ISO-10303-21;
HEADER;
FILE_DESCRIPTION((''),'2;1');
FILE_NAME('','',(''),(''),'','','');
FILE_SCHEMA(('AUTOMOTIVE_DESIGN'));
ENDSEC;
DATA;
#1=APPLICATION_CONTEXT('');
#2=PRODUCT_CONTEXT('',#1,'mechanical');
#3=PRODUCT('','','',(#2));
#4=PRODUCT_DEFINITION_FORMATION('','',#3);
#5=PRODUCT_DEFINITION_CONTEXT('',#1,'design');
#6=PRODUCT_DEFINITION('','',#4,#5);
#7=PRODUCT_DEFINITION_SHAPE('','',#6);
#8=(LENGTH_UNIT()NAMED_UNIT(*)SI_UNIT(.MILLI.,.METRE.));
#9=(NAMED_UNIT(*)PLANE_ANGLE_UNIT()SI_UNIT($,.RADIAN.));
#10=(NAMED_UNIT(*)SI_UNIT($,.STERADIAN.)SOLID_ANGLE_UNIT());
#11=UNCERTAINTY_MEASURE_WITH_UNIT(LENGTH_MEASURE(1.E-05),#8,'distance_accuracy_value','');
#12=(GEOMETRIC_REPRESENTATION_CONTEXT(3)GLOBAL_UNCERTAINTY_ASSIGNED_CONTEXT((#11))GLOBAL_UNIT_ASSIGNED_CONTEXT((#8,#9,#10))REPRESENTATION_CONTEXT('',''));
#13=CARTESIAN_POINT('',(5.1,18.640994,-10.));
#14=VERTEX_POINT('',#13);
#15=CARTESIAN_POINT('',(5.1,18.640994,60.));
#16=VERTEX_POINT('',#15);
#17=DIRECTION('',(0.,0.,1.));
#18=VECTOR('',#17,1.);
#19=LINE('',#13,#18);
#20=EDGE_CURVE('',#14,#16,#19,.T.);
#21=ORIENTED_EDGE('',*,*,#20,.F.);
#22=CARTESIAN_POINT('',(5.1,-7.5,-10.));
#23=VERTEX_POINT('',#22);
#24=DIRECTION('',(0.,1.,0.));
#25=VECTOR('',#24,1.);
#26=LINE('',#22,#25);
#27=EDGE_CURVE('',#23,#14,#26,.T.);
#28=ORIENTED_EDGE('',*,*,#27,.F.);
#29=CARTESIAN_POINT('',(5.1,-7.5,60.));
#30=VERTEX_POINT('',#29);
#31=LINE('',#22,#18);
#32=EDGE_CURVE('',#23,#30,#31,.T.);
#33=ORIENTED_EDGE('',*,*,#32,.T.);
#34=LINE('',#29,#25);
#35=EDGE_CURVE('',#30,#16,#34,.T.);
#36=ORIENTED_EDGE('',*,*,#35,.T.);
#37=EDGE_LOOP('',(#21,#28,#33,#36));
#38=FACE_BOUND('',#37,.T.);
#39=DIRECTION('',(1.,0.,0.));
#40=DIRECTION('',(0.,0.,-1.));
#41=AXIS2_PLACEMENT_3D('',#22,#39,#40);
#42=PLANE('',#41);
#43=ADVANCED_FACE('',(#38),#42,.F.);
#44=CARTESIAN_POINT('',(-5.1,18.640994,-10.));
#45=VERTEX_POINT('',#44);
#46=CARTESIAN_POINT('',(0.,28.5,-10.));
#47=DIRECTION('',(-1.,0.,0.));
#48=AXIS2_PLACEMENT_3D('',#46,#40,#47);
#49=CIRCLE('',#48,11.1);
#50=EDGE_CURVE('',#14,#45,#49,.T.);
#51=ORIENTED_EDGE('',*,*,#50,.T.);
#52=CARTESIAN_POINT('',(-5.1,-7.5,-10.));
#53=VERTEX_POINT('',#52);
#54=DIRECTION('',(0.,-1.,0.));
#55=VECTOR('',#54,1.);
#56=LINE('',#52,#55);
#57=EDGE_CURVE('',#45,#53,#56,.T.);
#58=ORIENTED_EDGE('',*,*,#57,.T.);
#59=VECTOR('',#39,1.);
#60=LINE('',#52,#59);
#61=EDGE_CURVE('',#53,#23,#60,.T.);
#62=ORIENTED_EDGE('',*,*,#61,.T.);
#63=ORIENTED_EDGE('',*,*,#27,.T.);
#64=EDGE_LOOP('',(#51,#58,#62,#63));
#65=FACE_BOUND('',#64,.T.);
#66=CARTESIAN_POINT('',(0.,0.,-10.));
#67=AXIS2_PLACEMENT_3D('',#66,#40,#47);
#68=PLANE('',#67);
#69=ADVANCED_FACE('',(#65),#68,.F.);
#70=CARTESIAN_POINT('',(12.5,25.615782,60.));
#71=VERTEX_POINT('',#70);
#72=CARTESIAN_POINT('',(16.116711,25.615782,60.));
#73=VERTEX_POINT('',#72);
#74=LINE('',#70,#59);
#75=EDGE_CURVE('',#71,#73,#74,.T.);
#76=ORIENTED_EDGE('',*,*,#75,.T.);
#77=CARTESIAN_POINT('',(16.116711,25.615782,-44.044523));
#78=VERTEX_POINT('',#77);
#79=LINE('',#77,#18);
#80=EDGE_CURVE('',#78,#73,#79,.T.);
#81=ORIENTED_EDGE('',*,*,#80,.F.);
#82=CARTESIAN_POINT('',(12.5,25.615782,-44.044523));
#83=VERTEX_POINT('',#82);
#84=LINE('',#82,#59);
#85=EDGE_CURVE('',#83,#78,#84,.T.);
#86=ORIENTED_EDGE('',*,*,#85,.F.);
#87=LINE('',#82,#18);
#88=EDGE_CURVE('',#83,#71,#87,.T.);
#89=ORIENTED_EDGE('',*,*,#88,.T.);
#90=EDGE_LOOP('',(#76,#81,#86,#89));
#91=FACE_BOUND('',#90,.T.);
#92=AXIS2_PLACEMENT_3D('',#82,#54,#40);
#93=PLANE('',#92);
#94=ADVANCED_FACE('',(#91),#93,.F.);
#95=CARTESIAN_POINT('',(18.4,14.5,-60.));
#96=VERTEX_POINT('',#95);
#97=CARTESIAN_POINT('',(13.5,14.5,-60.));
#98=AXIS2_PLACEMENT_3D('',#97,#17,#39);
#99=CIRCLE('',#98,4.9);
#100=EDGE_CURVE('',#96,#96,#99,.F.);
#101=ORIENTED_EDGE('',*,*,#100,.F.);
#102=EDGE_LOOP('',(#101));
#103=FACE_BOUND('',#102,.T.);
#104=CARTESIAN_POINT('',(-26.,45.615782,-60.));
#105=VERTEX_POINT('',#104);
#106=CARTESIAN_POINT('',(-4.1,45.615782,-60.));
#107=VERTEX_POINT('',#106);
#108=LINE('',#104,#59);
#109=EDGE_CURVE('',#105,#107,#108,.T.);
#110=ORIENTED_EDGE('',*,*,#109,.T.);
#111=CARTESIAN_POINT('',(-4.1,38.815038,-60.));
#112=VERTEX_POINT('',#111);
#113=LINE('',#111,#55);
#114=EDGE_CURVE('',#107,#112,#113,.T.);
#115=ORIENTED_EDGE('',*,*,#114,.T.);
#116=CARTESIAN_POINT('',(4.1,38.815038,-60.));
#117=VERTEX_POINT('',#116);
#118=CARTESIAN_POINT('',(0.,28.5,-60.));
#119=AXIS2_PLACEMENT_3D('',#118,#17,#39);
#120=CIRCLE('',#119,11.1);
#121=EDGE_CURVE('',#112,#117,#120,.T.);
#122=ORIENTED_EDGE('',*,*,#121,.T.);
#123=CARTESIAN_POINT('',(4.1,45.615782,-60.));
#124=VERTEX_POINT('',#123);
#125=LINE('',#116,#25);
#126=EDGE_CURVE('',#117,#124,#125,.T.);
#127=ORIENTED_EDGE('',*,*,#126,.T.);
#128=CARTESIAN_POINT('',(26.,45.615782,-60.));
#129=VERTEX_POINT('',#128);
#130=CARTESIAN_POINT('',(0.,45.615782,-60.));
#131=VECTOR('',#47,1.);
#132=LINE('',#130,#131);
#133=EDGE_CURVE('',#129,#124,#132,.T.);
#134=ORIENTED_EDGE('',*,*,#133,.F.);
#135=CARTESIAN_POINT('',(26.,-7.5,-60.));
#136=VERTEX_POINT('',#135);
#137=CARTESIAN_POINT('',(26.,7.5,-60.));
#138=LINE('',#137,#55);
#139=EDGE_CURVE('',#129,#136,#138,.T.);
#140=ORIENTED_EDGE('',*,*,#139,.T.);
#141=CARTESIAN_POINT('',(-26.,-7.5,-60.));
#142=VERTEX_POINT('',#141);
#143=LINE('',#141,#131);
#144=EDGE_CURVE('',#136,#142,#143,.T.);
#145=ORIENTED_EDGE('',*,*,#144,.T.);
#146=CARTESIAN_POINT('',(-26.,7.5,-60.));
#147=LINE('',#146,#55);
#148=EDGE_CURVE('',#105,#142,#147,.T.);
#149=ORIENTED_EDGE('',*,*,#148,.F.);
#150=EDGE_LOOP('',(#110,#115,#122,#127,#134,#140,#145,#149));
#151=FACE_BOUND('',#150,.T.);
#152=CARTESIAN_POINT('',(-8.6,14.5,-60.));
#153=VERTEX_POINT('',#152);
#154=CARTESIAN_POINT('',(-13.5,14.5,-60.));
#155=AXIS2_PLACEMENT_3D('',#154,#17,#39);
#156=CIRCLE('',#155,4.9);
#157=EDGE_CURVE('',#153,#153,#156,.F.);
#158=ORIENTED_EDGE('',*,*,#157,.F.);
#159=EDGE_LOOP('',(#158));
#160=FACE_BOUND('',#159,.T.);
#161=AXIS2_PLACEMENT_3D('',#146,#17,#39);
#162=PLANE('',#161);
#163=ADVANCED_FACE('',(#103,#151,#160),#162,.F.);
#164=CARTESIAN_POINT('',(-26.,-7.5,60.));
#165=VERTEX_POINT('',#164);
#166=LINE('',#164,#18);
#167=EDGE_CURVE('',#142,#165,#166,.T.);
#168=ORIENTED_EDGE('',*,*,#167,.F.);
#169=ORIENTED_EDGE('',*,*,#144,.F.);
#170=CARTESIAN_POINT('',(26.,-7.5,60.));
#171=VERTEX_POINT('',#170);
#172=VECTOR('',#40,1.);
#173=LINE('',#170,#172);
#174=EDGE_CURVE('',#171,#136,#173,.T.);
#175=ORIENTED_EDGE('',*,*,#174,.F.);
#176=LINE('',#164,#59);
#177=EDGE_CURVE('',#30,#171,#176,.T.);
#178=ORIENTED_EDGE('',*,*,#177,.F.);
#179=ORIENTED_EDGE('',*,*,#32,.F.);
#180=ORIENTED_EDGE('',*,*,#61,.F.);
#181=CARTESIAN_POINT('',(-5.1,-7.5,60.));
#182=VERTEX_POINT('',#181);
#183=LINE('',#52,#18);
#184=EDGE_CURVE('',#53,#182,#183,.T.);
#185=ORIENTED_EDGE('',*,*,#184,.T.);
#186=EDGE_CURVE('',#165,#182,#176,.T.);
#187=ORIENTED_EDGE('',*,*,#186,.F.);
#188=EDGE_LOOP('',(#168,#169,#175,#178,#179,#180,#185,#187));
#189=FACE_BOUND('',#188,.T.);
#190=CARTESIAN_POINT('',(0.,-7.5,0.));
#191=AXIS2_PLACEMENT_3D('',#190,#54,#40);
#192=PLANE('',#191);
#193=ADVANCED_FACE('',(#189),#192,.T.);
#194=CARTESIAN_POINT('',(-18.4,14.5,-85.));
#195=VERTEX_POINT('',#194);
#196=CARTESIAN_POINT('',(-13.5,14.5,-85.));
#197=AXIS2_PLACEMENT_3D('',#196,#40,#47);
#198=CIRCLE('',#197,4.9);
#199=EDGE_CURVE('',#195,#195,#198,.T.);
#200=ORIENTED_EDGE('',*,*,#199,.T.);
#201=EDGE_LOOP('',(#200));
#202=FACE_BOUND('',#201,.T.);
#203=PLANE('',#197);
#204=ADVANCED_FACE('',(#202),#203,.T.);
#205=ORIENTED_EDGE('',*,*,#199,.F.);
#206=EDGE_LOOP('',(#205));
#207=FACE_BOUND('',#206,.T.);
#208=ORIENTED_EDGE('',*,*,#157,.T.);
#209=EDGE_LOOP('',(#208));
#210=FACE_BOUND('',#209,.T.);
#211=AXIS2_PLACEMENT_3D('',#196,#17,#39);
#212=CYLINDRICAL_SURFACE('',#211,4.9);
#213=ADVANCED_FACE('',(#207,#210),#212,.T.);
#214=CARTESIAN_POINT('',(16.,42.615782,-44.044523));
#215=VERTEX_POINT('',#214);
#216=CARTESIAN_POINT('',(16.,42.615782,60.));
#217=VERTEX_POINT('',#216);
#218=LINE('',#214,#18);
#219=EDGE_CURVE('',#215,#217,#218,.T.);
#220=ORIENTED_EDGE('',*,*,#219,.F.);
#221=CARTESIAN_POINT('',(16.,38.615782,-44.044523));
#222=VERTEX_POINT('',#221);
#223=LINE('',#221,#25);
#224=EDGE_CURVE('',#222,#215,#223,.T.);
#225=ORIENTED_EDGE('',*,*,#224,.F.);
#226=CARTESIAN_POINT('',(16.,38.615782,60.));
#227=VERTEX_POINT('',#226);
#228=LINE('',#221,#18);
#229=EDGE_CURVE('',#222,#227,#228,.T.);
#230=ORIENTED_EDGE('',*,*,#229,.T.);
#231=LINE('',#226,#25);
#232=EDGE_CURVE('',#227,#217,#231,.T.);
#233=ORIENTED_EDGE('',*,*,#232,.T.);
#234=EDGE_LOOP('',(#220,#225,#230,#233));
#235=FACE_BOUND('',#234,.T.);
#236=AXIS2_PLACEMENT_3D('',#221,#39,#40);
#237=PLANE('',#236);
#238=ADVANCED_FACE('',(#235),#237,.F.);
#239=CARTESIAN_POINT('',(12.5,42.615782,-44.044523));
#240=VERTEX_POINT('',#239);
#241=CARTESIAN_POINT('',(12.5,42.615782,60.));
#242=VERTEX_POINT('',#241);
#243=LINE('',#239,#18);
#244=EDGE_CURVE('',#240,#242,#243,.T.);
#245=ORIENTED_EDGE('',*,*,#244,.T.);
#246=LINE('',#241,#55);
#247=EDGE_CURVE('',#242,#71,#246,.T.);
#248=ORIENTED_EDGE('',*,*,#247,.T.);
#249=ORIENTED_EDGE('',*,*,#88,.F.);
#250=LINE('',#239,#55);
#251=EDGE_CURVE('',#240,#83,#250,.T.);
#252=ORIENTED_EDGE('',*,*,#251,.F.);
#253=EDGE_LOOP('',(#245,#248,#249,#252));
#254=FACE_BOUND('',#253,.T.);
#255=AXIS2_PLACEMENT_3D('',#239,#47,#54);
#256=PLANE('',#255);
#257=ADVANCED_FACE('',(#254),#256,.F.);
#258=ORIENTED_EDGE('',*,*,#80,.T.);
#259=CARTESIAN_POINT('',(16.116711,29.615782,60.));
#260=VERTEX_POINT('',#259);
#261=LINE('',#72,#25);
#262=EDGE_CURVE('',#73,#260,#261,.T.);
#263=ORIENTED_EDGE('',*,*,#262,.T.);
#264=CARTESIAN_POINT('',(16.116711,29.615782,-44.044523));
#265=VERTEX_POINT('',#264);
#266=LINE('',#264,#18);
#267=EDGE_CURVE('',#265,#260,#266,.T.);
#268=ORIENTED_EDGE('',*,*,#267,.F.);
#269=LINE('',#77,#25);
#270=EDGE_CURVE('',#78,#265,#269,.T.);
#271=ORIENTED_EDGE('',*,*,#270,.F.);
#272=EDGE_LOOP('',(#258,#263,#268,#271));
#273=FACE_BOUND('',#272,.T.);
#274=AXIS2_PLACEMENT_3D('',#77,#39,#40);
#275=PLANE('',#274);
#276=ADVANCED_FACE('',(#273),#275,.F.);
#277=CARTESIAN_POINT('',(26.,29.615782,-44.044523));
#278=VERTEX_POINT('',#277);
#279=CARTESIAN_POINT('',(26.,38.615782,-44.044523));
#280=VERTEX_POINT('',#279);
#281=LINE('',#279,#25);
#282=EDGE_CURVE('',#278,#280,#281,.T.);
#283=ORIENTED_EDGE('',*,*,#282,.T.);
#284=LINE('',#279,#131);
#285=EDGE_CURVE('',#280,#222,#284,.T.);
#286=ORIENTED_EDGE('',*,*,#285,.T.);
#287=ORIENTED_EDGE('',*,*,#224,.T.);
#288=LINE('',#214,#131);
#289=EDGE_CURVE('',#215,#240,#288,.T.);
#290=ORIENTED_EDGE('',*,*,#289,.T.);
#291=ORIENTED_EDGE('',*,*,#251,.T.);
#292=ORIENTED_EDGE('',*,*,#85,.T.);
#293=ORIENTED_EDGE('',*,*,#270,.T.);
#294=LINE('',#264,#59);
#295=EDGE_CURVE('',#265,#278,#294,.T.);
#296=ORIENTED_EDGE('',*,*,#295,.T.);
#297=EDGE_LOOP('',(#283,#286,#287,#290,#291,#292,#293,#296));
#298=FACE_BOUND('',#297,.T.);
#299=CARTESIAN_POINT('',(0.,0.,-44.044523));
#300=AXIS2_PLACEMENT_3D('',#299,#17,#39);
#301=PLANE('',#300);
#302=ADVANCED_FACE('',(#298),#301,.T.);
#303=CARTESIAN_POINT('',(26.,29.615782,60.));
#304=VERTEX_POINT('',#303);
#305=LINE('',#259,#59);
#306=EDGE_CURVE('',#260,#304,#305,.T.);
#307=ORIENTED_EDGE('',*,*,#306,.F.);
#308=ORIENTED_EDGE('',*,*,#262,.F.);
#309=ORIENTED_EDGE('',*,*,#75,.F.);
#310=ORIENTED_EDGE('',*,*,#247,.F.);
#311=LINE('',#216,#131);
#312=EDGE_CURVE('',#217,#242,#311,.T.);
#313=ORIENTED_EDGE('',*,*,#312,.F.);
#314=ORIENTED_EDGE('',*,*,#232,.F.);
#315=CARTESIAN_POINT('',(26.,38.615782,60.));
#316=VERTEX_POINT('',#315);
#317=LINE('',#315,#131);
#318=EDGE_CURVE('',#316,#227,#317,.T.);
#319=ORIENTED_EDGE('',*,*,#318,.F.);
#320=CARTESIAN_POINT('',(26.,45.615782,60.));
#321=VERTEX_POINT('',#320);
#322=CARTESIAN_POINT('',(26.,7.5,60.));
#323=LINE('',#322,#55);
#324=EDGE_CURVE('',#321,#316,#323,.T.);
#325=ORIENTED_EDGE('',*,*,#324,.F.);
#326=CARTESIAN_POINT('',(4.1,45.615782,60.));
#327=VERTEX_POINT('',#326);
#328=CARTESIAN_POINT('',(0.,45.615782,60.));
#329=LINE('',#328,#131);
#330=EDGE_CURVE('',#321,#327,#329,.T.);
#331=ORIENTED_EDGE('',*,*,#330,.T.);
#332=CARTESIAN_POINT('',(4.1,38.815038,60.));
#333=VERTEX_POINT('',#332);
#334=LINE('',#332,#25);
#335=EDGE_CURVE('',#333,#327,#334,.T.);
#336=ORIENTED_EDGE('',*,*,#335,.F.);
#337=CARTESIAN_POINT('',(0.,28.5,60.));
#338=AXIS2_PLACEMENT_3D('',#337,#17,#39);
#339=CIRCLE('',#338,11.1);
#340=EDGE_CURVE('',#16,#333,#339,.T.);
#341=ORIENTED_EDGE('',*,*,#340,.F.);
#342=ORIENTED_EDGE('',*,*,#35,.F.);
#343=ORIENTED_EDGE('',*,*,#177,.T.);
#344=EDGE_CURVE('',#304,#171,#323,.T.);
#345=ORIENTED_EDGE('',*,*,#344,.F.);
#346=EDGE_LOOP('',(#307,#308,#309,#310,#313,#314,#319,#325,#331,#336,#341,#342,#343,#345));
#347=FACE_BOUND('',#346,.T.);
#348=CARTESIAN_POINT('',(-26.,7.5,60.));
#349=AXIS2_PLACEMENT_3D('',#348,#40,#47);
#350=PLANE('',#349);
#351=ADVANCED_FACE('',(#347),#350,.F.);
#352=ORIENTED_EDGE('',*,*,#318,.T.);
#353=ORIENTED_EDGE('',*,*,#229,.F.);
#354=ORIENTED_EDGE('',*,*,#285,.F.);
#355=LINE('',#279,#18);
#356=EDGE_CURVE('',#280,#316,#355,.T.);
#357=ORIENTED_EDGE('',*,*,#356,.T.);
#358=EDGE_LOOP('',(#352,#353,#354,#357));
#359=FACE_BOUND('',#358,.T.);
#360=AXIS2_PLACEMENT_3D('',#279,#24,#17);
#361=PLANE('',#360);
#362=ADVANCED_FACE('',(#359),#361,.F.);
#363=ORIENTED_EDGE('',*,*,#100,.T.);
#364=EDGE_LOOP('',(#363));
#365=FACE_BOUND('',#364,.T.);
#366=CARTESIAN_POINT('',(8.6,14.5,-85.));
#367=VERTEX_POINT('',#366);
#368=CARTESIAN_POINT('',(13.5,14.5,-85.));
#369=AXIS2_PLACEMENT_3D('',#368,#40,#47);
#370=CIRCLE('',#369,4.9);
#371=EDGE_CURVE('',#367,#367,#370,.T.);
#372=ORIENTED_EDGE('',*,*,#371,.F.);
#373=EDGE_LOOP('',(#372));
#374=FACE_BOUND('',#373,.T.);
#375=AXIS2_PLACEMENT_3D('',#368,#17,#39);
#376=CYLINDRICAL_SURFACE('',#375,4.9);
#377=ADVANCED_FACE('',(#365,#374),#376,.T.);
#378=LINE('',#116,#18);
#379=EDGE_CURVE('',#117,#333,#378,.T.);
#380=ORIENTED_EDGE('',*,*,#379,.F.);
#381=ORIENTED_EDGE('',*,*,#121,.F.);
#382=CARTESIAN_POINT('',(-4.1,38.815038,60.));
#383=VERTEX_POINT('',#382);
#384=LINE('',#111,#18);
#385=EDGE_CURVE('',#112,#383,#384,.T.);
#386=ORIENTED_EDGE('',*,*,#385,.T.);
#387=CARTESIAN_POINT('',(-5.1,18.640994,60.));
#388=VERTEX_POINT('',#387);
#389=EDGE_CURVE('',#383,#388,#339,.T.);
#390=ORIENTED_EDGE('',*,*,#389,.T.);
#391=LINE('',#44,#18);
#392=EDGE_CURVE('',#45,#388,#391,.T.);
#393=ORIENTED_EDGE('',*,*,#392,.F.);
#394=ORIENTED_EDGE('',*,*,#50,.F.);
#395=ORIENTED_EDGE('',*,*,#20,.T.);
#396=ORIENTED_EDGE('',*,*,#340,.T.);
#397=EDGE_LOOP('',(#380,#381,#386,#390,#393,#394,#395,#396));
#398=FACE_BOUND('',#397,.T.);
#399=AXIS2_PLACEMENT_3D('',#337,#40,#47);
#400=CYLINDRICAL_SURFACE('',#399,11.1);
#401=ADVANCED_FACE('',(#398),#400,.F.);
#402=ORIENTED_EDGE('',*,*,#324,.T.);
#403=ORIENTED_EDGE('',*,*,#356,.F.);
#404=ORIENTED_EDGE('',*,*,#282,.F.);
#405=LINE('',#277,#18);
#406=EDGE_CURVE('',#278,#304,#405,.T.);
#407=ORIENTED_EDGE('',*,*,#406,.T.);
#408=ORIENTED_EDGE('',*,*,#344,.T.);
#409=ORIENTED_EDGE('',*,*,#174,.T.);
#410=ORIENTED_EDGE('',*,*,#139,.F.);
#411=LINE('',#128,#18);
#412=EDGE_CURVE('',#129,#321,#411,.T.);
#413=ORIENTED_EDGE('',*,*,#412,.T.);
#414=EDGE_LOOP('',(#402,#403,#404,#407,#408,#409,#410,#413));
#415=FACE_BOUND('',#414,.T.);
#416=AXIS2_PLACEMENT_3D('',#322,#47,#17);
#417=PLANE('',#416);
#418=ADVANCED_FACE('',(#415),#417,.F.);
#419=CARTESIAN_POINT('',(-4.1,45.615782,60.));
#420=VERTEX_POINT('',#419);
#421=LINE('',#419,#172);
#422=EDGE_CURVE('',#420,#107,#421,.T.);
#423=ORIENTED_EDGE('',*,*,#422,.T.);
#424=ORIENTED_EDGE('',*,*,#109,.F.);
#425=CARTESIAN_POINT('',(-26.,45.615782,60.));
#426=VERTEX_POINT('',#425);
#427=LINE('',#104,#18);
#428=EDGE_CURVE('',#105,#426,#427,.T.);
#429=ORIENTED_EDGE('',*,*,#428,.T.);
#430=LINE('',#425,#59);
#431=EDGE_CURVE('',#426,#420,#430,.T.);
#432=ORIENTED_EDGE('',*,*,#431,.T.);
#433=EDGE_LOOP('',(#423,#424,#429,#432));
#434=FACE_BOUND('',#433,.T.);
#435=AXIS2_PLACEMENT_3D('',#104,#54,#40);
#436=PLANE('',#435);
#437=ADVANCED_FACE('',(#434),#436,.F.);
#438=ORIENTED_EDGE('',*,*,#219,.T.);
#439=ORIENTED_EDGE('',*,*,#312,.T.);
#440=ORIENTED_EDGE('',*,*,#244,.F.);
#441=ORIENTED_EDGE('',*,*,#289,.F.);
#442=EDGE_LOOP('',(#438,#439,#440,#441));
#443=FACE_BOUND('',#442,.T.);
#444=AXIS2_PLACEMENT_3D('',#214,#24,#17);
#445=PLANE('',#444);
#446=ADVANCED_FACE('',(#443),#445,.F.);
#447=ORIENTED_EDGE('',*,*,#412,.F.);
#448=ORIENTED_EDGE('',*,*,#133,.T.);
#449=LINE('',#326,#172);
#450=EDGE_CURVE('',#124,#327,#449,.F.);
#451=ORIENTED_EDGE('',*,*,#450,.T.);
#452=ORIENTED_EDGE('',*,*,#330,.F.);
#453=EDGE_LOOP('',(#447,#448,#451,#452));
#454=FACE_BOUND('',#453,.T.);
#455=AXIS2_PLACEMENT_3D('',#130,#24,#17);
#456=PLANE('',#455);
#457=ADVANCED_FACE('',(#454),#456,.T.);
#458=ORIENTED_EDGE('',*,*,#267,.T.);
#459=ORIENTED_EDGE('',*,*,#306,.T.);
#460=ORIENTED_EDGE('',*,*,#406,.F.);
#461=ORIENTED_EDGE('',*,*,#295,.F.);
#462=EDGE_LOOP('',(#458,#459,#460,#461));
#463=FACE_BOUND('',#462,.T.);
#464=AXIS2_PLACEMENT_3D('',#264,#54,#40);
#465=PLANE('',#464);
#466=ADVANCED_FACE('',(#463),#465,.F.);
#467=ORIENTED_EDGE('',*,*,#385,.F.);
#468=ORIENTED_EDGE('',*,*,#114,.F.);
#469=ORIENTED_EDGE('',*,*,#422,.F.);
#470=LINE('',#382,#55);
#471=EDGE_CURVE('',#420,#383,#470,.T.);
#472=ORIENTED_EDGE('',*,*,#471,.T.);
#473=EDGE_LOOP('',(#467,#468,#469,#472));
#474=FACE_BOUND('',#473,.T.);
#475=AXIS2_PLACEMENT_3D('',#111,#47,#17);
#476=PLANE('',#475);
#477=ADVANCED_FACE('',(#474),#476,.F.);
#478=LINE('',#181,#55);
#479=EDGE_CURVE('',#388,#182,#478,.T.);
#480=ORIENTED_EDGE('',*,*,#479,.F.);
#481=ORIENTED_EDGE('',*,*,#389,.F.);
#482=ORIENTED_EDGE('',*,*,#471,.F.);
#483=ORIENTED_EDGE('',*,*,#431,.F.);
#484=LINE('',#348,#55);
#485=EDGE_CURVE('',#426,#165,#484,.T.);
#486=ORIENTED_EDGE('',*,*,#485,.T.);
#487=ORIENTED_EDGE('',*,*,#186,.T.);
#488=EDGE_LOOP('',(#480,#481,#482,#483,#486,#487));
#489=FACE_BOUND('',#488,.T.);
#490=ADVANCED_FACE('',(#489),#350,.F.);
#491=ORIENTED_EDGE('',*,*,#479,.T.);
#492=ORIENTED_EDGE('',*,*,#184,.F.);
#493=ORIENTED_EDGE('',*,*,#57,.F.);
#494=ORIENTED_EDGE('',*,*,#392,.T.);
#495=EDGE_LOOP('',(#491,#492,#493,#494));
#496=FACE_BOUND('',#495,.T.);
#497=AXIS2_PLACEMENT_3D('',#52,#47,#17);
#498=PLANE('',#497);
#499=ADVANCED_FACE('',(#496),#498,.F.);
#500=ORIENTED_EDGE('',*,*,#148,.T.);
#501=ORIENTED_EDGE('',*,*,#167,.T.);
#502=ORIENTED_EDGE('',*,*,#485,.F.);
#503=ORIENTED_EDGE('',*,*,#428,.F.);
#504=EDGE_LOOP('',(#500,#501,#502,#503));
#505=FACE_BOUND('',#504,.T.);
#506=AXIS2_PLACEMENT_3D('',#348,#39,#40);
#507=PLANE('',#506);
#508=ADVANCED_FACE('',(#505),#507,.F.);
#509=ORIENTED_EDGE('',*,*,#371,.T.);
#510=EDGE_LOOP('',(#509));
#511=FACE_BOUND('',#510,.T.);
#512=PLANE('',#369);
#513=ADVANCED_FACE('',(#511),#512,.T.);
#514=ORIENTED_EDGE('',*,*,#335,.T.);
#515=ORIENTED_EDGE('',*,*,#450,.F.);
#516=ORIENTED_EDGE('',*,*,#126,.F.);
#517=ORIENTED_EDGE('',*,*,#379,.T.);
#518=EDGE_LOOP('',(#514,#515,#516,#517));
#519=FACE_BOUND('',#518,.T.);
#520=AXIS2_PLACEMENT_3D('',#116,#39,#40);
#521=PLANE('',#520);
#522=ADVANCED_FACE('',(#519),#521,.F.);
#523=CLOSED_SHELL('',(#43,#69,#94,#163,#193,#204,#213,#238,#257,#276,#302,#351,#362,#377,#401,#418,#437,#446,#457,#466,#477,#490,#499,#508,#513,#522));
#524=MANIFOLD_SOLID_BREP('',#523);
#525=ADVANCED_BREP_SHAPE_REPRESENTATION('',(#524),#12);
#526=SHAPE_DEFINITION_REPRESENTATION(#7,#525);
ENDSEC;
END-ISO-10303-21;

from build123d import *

# Parameters (mm, degrees)
SKETCH_2_W               = 52
SKETCH_2_H               = 120
EXTRUDE_1_DEPTH          = 7.5
SKETCH_3_R               = 11.1
EXTRUDE_2_DEPTH          = 60
CUT_EXTRUDE_1_DEPTH      = 81.007562143
CUT_EXTRUDE_1_DEPTH_BACK = 81.007562143
SKETCH_4_W               = 8.2
SKETCH_4_H               = 8.069924866
SKETCH_5_W               = 10.2
SKETCH_5_H               = 26.140993965
CUT_EXTRUDE_2_DEPTH      = 70
SKETCH_6_R               = 4.9
EXTRUDE_3_DEPTH          = 25
EXTRUDE_4_DEPTH          = 120
CUT_EXTRUDE_3_DEPTH      = 104.044523


with BuildPart() as part:
    # 스케치2 → 보스-돌출1 (new, symmetric)
    with BuildSketch(Plane(origin=(0, 0, 0), x_dir=(1, 0, 0), z_dir=(0, 1, 0))):
        Rectangle(SKETCH_2_W, SKETCH_2_H)
    extrude(amount=EXTRUDE_1_DEPTH, both=True)

    # 스케치3 → 보스-돌출2 (add, symmetric)
    with BuildSketch(Plane.XY):
        with BuildLine():
            Line((-26, 32.5), (-26, 7.5))
            Line((-26, 7.5), (26, 7.5))
            Line((26, 7.5), (26, 32.5))
            Line((26, 32.5), (9.6493822, 43.219015699))
            ThreePointArc((9.6493822, 43.219015699), (0, 46.1), (-9.6493822, 43.219015699))
            Line((-9.6493822, 43.219015699), (-26, 32.5))
        make_face()
        with Locations((0, 28.5)):
            Circle(SKETCH_3_R, mode=Mode.SUBTRACT)
    extrude(amount=EXTRUDE_2_DEPTH, both=True)

    # 스케치4 → 컷-돌출1 (cut, two sides: drawn at the far end of the back side and taken through both)
    with BuildSketch(Plane.XY.offset(-CUT_EXTRUDE_1_DEPTH_BACK)):
        with Locations((0, 42.85)):
            Rectangle(SKETCH_4_W, SKETCH_4_H)
    extrude(amount=CUT_EXTRUDE_1_DEPTH + CUT_EXTRUDE_1_DEPTH_BACK, mode=Mode.SUBTRACT)

    # 스케치5 → 컷-돌출2 (cut)
    with BuildSketch(Plane.XY.offset(60)):
        with Locations((0, 5.570496982)):
            Rectangle(SKETCH_5_W, SKETCH_5_H)
    extrude(amount=-CUT_EXTRUDE_2_DEPTH, mode=Mode.SUBTRACT)

    # 스케치6 → 보스-돌출3 (add)
    with BuildSketch(Plane(origin=(0, 0, -60), x_dir=(-1, 0, 0), z_dir=(0, 0, -1))):
        with Locations(Location((13.5, 14.5, 0), (0, 0, 180))):
            Circle(SKETCH_6_R)
        with Locations(Location((-13.5, 14.5, 0), (0, 0, 180))):
            Circle(SKETCH_6_R)
    extrude(amount=EXTRUDE_3_DEPTH)

    # 스케치9 → 보스-돌출4 (add)
    with BuildSketch(Plane.XY.offset(60)):
        Polygon((4.1, 45.615782191), (6.978359415, 44.657428628), (26, 32.5), (26, 45.615782191), align=None)
        Polygon((-26, 45.615782191), (-4.1, 45.615782191), (-6.978359415, 44.657428628), (-26, 32.5), align=None)
    extrude(amount=-EXTRUDE_4_DEPTH)

    # 스케치13 → 컷-돌출3 (cut)
    with BuildSketch(Plane.XY.offset(60)):
        Polygon((26, 38.615782191), (16, 38.615782191), (16, 42.615782191), (12.5, 42.615782191), (12.5, 25.615782191), (16.116710555, 25.615782191), (16.116710555, 29.615782191), (26, 29.615782191), align=None)
    extrude(amount=-CUT_EXTRUDE_3_DEPTH, mode=Mode.SUBTRACT)


solid = part.part
